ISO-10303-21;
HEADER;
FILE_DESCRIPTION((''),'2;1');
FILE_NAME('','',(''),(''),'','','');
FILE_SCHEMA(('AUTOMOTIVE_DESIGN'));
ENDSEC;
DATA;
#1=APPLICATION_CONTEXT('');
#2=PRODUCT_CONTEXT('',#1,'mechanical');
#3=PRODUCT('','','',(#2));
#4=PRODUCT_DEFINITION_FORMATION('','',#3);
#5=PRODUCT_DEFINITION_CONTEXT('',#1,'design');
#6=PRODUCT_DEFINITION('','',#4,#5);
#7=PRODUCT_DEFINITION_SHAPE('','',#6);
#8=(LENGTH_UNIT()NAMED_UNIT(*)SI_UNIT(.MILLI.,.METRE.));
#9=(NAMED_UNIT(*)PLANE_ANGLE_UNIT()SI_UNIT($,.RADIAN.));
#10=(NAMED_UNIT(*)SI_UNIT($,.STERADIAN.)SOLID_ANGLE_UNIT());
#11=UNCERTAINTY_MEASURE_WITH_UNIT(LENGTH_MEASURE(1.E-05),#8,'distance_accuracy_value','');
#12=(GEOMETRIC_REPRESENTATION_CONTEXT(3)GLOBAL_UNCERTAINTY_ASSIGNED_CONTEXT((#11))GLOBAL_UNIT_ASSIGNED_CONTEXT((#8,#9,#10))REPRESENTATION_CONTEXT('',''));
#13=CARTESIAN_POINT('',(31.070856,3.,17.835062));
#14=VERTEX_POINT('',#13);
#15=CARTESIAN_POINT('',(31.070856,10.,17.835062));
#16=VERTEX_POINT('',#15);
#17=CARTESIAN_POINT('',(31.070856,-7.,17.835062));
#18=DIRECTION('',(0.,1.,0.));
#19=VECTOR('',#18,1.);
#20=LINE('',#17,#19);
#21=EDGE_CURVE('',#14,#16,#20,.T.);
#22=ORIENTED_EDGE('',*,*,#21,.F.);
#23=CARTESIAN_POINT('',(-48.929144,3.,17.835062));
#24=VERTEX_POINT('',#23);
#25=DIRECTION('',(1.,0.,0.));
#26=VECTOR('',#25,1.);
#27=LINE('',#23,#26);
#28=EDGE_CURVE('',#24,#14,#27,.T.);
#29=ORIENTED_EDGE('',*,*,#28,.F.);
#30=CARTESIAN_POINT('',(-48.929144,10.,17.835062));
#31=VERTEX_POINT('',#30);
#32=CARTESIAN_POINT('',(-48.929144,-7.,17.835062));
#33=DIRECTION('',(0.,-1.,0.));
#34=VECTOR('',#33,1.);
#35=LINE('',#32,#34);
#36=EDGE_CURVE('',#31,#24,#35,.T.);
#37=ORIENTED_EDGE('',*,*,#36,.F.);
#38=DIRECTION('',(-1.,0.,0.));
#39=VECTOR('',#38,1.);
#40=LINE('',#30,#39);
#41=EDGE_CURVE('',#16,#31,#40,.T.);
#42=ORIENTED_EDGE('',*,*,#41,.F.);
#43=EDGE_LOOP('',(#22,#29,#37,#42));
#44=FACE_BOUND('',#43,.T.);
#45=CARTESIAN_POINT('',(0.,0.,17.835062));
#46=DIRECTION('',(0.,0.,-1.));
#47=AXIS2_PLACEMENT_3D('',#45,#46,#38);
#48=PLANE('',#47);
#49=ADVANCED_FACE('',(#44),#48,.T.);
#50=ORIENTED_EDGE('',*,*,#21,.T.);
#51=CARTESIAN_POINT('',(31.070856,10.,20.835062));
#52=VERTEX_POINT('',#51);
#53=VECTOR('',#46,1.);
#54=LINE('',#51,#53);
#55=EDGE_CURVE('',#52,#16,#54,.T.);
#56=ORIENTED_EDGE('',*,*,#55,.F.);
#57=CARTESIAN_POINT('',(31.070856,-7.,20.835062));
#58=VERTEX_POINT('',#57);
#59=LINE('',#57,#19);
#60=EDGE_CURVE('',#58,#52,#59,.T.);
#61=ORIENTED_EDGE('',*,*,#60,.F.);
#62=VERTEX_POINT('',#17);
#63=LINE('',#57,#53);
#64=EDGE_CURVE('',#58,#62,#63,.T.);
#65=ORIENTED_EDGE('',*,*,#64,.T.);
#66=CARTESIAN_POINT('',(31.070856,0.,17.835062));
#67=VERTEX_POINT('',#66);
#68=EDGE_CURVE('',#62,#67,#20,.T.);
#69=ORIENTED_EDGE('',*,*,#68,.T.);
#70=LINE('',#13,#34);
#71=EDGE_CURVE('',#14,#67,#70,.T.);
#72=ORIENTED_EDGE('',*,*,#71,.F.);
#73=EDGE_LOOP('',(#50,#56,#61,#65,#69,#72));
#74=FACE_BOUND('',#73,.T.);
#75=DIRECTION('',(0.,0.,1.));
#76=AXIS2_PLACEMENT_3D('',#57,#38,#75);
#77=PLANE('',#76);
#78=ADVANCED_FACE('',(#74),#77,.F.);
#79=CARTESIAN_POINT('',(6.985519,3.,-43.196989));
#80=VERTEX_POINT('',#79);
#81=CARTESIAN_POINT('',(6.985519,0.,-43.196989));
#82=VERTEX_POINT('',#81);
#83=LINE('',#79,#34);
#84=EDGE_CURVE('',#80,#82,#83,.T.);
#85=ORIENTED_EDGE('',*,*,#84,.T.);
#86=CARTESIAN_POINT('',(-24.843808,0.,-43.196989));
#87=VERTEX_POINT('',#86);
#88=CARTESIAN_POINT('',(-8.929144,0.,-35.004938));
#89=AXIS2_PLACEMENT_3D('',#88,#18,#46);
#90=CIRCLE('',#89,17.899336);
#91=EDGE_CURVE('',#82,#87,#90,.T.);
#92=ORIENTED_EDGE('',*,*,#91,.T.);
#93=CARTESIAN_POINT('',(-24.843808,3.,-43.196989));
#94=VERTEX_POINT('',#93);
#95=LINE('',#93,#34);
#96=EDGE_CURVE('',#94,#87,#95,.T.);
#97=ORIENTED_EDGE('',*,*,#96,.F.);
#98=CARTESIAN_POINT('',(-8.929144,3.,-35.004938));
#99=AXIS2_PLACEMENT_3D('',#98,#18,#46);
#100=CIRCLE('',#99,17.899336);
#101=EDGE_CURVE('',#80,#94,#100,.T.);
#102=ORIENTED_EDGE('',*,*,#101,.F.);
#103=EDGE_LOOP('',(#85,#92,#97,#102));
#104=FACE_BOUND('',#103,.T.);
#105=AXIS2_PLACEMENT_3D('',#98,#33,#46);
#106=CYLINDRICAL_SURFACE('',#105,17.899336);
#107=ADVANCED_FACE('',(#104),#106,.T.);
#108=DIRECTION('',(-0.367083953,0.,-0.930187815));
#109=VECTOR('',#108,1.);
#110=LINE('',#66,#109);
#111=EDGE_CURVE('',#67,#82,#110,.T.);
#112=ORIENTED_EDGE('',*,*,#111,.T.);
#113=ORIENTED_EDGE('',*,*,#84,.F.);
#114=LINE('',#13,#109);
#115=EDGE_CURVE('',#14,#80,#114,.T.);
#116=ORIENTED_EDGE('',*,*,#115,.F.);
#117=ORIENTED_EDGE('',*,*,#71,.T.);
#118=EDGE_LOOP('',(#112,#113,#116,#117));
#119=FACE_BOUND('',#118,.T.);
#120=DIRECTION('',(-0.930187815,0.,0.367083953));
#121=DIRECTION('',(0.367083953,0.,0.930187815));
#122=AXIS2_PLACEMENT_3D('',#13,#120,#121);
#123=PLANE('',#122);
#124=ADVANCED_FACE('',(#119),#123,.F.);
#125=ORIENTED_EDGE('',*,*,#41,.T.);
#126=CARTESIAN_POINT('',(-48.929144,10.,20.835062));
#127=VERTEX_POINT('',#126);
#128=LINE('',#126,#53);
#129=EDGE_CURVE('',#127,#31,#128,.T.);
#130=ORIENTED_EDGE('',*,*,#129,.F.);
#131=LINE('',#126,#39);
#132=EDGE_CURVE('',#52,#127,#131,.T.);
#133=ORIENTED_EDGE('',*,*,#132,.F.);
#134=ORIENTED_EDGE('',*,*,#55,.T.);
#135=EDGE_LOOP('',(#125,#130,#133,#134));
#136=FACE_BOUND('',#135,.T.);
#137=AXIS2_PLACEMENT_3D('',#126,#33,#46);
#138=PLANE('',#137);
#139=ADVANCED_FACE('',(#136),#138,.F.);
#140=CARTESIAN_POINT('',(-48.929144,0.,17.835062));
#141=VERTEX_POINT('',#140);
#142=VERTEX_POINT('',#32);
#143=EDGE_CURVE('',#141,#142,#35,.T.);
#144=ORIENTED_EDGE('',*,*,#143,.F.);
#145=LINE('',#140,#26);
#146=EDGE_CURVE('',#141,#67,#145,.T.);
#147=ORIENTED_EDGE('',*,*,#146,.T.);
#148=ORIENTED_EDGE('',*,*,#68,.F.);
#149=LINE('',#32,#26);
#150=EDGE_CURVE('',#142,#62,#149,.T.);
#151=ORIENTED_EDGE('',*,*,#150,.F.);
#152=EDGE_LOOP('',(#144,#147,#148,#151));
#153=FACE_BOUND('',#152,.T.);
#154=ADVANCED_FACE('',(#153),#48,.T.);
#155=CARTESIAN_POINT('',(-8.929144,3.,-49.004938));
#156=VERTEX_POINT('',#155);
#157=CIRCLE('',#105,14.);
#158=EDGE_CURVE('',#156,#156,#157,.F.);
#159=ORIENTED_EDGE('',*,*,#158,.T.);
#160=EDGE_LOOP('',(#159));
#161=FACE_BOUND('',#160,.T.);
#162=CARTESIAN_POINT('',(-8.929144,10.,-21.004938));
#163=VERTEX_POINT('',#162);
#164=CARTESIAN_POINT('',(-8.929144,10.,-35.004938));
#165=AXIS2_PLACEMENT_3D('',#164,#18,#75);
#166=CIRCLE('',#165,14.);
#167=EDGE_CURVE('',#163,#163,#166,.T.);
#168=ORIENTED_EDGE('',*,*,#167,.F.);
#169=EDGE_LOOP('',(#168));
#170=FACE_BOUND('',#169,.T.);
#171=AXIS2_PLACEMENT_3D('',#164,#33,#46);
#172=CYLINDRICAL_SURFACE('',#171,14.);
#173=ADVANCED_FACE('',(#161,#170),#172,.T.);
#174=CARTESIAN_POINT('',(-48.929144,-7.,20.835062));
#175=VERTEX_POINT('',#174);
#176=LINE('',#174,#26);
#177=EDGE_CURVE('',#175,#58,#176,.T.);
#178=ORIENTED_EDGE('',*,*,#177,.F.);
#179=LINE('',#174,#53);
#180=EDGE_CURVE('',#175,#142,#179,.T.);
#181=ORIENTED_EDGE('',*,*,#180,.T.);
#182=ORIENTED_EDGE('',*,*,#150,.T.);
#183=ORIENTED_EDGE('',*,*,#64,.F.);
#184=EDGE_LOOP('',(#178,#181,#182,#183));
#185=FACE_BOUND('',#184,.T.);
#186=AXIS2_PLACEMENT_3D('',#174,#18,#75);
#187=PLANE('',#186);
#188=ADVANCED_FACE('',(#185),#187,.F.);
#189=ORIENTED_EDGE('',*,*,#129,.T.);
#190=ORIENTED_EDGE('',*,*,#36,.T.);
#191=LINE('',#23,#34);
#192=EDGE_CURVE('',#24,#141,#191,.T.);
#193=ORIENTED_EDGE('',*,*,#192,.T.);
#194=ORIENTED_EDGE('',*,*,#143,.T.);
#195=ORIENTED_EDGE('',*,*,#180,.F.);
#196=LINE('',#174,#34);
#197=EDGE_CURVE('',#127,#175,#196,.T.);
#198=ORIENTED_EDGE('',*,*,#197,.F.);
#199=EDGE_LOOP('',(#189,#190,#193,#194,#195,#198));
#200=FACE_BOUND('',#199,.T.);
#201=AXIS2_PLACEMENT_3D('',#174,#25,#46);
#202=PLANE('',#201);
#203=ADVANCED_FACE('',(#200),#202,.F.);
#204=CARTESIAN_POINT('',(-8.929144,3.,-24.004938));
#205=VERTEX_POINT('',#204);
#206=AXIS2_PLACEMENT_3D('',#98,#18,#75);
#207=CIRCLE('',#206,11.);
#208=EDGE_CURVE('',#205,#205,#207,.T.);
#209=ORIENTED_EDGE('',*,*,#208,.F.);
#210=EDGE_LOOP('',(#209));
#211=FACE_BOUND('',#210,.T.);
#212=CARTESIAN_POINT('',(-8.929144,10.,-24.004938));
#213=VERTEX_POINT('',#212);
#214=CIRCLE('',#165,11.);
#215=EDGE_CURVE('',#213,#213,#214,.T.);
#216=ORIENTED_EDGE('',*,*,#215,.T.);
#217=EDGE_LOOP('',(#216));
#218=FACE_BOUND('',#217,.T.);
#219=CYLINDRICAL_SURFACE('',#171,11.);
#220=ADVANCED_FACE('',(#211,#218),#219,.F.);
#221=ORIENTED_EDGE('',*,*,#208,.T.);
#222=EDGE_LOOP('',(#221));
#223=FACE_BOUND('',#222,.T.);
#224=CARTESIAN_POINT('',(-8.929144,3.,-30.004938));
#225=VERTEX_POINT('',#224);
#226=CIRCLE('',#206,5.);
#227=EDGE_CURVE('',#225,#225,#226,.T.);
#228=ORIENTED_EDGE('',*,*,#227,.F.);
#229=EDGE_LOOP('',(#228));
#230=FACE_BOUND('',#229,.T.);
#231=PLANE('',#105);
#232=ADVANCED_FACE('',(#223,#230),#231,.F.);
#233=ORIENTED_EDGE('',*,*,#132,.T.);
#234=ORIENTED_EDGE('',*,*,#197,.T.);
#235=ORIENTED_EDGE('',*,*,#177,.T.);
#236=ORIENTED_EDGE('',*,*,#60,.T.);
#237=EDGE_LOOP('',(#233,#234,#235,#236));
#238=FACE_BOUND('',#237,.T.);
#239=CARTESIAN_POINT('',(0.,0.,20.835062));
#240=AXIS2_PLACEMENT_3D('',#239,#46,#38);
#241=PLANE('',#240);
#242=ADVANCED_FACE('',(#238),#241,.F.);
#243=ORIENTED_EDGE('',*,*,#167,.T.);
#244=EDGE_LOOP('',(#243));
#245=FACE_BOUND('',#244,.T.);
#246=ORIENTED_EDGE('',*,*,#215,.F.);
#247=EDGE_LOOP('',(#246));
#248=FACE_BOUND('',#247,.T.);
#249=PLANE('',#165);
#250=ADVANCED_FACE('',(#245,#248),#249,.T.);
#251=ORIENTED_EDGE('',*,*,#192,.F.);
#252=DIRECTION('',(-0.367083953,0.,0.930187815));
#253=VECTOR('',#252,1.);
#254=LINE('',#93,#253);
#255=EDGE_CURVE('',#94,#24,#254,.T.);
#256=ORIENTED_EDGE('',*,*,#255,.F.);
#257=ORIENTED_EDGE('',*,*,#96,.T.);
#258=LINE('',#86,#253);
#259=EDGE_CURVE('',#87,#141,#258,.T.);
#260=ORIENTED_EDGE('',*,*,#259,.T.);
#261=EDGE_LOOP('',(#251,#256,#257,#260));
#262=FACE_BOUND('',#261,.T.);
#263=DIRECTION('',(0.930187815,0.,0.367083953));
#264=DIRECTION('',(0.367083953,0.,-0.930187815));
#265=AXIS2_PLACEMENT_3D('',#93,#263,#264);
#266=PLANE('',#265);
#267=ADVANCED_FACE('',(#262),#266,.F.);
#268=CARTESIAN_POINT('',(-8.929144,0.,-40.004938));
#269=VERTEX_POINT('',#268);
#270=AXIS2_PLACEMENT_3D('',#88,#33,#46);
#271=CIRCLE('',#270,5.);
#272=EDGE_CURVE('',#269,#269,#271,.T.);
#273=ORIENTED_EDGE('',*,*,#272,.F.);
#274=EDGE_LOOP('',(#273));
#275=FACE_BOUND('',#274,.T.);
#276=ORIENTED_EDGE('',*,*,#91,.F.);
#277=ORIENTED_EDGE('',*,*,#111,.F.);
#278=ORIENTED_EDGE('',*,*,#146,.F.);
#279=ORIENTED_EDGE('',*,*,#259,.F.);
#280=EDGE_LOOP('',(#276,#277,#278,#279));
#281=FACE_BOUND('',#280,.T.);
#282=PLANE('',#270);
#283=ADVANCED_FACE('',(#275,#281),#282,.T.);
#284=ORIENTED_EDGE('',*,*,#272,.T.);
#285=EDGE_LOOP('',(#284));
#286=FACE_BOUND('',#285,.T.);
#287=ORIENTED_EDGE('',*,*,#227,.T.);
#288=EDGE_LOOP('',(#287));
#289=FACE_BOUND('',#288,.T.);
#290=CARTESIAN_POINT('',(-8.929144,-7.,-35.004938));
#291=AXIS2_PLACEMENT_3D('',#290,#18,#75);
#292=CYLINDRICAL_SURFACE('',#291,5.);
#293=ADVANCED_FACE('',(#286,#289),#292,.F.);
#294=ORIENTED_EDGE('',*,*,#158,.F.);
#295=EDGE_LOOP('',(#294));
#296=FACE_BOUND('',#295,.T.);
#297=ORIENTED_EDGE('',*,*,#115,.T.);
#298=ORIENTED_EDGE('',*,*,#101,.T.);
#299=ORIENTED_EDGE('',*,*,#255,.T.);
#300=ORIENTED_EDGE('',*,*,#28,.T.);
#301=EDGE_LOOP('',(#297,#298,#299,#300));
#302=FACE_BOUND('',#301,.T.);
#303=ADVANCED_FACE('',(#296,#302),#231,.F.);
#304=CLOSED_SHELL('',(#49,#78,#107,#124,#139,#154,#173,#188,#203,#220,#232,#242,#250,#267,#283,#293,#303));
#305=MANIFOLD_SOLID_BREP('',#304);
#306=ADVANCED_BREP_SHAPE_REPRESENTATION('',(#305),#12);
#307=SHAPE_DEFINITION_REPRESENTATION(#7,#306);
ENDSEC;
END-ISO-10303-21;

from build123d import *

# Parameters (mm, degrees)
BOSS_EXTRUDE1_DEPTH = 3
SKETCH2_R           = 14
SKETCH2_R_2         = 11
BOSS_EXTRUDE2_DEPTH = 7
SKETCH3_W           = 80
SKETCH3_H           = 17
BOSS_EXTRUDE3_DEPTH = 3
SKETCH5_R           = 5
CUT_EXTRUDE1_DEPTH  = 10


with BuildPart() as part:
    # Sketch1 → Boss-Extrude1 (new body)
    with BuildSketch(Plane(origin=(0, 0, 0), x_dir=(1, 0, 0), z_dir=(0, 1, 0))):
        with BuildLine():
            Line((-48.929144451, -17.835062273), (31.070855549, -17.835062273))
            Line((31.070855549, -17.835062273), (6.985518971, 43.196988966))
            ThreePointArc((6.985518971, 43.196988966), (-8.929144451, 52.904273338), (-24.843807874, 43.196988966))
            Line((-24.843807874, 43.196988966), (-48.929144451, -17.835062273))
        make_face()
    extrude(amount=BOSS_EXTRUDE1_DEPTH)

    # Sketch2 → Boss-Extrude2 (add)
    with BuildSketch(Plane(origin=(0, 3, 0), x_dir=(1, 0, 0), z_dir=(0, 1, 0))):
        with Locations((-8.929144451, 35.004937727)):
            Circle(SKETCH2_R)
        with Locations((-8.929144451, 35.004937727)):
            Circle(SKETCH2_R_2, mode=Mode.SUBTRACT)
    extrude(amount=BOSS_EXTRUDE2_DEPTH)

    # Sketch3 → Boss-Extrude3 (add)
    with BuildSketch(Plane.XY.offset(17.835062273)):
        with Locations((-8.929144451, 1.5)):
            Rectangle(SKETCH3_W, SKETCH3_H)
    extrude(amount=BOSS_EXTRUDE3_DEPTH)

    # Sketch5 → Cut-Extrude1 (cut)
    with BuildSketch(Plane(origin=(0, 3, 0), x_dir=(1, 0, 0), z_dir=(0, 1, 0))):
        with Locations((-8.929144451, 35.004937727)):
            Circle(SKETCH5_R)
    extrude(amount=-CUT_EXTRUDE1_DEPTH, mode=Mode.SUBTRACT)


solid = part.part
